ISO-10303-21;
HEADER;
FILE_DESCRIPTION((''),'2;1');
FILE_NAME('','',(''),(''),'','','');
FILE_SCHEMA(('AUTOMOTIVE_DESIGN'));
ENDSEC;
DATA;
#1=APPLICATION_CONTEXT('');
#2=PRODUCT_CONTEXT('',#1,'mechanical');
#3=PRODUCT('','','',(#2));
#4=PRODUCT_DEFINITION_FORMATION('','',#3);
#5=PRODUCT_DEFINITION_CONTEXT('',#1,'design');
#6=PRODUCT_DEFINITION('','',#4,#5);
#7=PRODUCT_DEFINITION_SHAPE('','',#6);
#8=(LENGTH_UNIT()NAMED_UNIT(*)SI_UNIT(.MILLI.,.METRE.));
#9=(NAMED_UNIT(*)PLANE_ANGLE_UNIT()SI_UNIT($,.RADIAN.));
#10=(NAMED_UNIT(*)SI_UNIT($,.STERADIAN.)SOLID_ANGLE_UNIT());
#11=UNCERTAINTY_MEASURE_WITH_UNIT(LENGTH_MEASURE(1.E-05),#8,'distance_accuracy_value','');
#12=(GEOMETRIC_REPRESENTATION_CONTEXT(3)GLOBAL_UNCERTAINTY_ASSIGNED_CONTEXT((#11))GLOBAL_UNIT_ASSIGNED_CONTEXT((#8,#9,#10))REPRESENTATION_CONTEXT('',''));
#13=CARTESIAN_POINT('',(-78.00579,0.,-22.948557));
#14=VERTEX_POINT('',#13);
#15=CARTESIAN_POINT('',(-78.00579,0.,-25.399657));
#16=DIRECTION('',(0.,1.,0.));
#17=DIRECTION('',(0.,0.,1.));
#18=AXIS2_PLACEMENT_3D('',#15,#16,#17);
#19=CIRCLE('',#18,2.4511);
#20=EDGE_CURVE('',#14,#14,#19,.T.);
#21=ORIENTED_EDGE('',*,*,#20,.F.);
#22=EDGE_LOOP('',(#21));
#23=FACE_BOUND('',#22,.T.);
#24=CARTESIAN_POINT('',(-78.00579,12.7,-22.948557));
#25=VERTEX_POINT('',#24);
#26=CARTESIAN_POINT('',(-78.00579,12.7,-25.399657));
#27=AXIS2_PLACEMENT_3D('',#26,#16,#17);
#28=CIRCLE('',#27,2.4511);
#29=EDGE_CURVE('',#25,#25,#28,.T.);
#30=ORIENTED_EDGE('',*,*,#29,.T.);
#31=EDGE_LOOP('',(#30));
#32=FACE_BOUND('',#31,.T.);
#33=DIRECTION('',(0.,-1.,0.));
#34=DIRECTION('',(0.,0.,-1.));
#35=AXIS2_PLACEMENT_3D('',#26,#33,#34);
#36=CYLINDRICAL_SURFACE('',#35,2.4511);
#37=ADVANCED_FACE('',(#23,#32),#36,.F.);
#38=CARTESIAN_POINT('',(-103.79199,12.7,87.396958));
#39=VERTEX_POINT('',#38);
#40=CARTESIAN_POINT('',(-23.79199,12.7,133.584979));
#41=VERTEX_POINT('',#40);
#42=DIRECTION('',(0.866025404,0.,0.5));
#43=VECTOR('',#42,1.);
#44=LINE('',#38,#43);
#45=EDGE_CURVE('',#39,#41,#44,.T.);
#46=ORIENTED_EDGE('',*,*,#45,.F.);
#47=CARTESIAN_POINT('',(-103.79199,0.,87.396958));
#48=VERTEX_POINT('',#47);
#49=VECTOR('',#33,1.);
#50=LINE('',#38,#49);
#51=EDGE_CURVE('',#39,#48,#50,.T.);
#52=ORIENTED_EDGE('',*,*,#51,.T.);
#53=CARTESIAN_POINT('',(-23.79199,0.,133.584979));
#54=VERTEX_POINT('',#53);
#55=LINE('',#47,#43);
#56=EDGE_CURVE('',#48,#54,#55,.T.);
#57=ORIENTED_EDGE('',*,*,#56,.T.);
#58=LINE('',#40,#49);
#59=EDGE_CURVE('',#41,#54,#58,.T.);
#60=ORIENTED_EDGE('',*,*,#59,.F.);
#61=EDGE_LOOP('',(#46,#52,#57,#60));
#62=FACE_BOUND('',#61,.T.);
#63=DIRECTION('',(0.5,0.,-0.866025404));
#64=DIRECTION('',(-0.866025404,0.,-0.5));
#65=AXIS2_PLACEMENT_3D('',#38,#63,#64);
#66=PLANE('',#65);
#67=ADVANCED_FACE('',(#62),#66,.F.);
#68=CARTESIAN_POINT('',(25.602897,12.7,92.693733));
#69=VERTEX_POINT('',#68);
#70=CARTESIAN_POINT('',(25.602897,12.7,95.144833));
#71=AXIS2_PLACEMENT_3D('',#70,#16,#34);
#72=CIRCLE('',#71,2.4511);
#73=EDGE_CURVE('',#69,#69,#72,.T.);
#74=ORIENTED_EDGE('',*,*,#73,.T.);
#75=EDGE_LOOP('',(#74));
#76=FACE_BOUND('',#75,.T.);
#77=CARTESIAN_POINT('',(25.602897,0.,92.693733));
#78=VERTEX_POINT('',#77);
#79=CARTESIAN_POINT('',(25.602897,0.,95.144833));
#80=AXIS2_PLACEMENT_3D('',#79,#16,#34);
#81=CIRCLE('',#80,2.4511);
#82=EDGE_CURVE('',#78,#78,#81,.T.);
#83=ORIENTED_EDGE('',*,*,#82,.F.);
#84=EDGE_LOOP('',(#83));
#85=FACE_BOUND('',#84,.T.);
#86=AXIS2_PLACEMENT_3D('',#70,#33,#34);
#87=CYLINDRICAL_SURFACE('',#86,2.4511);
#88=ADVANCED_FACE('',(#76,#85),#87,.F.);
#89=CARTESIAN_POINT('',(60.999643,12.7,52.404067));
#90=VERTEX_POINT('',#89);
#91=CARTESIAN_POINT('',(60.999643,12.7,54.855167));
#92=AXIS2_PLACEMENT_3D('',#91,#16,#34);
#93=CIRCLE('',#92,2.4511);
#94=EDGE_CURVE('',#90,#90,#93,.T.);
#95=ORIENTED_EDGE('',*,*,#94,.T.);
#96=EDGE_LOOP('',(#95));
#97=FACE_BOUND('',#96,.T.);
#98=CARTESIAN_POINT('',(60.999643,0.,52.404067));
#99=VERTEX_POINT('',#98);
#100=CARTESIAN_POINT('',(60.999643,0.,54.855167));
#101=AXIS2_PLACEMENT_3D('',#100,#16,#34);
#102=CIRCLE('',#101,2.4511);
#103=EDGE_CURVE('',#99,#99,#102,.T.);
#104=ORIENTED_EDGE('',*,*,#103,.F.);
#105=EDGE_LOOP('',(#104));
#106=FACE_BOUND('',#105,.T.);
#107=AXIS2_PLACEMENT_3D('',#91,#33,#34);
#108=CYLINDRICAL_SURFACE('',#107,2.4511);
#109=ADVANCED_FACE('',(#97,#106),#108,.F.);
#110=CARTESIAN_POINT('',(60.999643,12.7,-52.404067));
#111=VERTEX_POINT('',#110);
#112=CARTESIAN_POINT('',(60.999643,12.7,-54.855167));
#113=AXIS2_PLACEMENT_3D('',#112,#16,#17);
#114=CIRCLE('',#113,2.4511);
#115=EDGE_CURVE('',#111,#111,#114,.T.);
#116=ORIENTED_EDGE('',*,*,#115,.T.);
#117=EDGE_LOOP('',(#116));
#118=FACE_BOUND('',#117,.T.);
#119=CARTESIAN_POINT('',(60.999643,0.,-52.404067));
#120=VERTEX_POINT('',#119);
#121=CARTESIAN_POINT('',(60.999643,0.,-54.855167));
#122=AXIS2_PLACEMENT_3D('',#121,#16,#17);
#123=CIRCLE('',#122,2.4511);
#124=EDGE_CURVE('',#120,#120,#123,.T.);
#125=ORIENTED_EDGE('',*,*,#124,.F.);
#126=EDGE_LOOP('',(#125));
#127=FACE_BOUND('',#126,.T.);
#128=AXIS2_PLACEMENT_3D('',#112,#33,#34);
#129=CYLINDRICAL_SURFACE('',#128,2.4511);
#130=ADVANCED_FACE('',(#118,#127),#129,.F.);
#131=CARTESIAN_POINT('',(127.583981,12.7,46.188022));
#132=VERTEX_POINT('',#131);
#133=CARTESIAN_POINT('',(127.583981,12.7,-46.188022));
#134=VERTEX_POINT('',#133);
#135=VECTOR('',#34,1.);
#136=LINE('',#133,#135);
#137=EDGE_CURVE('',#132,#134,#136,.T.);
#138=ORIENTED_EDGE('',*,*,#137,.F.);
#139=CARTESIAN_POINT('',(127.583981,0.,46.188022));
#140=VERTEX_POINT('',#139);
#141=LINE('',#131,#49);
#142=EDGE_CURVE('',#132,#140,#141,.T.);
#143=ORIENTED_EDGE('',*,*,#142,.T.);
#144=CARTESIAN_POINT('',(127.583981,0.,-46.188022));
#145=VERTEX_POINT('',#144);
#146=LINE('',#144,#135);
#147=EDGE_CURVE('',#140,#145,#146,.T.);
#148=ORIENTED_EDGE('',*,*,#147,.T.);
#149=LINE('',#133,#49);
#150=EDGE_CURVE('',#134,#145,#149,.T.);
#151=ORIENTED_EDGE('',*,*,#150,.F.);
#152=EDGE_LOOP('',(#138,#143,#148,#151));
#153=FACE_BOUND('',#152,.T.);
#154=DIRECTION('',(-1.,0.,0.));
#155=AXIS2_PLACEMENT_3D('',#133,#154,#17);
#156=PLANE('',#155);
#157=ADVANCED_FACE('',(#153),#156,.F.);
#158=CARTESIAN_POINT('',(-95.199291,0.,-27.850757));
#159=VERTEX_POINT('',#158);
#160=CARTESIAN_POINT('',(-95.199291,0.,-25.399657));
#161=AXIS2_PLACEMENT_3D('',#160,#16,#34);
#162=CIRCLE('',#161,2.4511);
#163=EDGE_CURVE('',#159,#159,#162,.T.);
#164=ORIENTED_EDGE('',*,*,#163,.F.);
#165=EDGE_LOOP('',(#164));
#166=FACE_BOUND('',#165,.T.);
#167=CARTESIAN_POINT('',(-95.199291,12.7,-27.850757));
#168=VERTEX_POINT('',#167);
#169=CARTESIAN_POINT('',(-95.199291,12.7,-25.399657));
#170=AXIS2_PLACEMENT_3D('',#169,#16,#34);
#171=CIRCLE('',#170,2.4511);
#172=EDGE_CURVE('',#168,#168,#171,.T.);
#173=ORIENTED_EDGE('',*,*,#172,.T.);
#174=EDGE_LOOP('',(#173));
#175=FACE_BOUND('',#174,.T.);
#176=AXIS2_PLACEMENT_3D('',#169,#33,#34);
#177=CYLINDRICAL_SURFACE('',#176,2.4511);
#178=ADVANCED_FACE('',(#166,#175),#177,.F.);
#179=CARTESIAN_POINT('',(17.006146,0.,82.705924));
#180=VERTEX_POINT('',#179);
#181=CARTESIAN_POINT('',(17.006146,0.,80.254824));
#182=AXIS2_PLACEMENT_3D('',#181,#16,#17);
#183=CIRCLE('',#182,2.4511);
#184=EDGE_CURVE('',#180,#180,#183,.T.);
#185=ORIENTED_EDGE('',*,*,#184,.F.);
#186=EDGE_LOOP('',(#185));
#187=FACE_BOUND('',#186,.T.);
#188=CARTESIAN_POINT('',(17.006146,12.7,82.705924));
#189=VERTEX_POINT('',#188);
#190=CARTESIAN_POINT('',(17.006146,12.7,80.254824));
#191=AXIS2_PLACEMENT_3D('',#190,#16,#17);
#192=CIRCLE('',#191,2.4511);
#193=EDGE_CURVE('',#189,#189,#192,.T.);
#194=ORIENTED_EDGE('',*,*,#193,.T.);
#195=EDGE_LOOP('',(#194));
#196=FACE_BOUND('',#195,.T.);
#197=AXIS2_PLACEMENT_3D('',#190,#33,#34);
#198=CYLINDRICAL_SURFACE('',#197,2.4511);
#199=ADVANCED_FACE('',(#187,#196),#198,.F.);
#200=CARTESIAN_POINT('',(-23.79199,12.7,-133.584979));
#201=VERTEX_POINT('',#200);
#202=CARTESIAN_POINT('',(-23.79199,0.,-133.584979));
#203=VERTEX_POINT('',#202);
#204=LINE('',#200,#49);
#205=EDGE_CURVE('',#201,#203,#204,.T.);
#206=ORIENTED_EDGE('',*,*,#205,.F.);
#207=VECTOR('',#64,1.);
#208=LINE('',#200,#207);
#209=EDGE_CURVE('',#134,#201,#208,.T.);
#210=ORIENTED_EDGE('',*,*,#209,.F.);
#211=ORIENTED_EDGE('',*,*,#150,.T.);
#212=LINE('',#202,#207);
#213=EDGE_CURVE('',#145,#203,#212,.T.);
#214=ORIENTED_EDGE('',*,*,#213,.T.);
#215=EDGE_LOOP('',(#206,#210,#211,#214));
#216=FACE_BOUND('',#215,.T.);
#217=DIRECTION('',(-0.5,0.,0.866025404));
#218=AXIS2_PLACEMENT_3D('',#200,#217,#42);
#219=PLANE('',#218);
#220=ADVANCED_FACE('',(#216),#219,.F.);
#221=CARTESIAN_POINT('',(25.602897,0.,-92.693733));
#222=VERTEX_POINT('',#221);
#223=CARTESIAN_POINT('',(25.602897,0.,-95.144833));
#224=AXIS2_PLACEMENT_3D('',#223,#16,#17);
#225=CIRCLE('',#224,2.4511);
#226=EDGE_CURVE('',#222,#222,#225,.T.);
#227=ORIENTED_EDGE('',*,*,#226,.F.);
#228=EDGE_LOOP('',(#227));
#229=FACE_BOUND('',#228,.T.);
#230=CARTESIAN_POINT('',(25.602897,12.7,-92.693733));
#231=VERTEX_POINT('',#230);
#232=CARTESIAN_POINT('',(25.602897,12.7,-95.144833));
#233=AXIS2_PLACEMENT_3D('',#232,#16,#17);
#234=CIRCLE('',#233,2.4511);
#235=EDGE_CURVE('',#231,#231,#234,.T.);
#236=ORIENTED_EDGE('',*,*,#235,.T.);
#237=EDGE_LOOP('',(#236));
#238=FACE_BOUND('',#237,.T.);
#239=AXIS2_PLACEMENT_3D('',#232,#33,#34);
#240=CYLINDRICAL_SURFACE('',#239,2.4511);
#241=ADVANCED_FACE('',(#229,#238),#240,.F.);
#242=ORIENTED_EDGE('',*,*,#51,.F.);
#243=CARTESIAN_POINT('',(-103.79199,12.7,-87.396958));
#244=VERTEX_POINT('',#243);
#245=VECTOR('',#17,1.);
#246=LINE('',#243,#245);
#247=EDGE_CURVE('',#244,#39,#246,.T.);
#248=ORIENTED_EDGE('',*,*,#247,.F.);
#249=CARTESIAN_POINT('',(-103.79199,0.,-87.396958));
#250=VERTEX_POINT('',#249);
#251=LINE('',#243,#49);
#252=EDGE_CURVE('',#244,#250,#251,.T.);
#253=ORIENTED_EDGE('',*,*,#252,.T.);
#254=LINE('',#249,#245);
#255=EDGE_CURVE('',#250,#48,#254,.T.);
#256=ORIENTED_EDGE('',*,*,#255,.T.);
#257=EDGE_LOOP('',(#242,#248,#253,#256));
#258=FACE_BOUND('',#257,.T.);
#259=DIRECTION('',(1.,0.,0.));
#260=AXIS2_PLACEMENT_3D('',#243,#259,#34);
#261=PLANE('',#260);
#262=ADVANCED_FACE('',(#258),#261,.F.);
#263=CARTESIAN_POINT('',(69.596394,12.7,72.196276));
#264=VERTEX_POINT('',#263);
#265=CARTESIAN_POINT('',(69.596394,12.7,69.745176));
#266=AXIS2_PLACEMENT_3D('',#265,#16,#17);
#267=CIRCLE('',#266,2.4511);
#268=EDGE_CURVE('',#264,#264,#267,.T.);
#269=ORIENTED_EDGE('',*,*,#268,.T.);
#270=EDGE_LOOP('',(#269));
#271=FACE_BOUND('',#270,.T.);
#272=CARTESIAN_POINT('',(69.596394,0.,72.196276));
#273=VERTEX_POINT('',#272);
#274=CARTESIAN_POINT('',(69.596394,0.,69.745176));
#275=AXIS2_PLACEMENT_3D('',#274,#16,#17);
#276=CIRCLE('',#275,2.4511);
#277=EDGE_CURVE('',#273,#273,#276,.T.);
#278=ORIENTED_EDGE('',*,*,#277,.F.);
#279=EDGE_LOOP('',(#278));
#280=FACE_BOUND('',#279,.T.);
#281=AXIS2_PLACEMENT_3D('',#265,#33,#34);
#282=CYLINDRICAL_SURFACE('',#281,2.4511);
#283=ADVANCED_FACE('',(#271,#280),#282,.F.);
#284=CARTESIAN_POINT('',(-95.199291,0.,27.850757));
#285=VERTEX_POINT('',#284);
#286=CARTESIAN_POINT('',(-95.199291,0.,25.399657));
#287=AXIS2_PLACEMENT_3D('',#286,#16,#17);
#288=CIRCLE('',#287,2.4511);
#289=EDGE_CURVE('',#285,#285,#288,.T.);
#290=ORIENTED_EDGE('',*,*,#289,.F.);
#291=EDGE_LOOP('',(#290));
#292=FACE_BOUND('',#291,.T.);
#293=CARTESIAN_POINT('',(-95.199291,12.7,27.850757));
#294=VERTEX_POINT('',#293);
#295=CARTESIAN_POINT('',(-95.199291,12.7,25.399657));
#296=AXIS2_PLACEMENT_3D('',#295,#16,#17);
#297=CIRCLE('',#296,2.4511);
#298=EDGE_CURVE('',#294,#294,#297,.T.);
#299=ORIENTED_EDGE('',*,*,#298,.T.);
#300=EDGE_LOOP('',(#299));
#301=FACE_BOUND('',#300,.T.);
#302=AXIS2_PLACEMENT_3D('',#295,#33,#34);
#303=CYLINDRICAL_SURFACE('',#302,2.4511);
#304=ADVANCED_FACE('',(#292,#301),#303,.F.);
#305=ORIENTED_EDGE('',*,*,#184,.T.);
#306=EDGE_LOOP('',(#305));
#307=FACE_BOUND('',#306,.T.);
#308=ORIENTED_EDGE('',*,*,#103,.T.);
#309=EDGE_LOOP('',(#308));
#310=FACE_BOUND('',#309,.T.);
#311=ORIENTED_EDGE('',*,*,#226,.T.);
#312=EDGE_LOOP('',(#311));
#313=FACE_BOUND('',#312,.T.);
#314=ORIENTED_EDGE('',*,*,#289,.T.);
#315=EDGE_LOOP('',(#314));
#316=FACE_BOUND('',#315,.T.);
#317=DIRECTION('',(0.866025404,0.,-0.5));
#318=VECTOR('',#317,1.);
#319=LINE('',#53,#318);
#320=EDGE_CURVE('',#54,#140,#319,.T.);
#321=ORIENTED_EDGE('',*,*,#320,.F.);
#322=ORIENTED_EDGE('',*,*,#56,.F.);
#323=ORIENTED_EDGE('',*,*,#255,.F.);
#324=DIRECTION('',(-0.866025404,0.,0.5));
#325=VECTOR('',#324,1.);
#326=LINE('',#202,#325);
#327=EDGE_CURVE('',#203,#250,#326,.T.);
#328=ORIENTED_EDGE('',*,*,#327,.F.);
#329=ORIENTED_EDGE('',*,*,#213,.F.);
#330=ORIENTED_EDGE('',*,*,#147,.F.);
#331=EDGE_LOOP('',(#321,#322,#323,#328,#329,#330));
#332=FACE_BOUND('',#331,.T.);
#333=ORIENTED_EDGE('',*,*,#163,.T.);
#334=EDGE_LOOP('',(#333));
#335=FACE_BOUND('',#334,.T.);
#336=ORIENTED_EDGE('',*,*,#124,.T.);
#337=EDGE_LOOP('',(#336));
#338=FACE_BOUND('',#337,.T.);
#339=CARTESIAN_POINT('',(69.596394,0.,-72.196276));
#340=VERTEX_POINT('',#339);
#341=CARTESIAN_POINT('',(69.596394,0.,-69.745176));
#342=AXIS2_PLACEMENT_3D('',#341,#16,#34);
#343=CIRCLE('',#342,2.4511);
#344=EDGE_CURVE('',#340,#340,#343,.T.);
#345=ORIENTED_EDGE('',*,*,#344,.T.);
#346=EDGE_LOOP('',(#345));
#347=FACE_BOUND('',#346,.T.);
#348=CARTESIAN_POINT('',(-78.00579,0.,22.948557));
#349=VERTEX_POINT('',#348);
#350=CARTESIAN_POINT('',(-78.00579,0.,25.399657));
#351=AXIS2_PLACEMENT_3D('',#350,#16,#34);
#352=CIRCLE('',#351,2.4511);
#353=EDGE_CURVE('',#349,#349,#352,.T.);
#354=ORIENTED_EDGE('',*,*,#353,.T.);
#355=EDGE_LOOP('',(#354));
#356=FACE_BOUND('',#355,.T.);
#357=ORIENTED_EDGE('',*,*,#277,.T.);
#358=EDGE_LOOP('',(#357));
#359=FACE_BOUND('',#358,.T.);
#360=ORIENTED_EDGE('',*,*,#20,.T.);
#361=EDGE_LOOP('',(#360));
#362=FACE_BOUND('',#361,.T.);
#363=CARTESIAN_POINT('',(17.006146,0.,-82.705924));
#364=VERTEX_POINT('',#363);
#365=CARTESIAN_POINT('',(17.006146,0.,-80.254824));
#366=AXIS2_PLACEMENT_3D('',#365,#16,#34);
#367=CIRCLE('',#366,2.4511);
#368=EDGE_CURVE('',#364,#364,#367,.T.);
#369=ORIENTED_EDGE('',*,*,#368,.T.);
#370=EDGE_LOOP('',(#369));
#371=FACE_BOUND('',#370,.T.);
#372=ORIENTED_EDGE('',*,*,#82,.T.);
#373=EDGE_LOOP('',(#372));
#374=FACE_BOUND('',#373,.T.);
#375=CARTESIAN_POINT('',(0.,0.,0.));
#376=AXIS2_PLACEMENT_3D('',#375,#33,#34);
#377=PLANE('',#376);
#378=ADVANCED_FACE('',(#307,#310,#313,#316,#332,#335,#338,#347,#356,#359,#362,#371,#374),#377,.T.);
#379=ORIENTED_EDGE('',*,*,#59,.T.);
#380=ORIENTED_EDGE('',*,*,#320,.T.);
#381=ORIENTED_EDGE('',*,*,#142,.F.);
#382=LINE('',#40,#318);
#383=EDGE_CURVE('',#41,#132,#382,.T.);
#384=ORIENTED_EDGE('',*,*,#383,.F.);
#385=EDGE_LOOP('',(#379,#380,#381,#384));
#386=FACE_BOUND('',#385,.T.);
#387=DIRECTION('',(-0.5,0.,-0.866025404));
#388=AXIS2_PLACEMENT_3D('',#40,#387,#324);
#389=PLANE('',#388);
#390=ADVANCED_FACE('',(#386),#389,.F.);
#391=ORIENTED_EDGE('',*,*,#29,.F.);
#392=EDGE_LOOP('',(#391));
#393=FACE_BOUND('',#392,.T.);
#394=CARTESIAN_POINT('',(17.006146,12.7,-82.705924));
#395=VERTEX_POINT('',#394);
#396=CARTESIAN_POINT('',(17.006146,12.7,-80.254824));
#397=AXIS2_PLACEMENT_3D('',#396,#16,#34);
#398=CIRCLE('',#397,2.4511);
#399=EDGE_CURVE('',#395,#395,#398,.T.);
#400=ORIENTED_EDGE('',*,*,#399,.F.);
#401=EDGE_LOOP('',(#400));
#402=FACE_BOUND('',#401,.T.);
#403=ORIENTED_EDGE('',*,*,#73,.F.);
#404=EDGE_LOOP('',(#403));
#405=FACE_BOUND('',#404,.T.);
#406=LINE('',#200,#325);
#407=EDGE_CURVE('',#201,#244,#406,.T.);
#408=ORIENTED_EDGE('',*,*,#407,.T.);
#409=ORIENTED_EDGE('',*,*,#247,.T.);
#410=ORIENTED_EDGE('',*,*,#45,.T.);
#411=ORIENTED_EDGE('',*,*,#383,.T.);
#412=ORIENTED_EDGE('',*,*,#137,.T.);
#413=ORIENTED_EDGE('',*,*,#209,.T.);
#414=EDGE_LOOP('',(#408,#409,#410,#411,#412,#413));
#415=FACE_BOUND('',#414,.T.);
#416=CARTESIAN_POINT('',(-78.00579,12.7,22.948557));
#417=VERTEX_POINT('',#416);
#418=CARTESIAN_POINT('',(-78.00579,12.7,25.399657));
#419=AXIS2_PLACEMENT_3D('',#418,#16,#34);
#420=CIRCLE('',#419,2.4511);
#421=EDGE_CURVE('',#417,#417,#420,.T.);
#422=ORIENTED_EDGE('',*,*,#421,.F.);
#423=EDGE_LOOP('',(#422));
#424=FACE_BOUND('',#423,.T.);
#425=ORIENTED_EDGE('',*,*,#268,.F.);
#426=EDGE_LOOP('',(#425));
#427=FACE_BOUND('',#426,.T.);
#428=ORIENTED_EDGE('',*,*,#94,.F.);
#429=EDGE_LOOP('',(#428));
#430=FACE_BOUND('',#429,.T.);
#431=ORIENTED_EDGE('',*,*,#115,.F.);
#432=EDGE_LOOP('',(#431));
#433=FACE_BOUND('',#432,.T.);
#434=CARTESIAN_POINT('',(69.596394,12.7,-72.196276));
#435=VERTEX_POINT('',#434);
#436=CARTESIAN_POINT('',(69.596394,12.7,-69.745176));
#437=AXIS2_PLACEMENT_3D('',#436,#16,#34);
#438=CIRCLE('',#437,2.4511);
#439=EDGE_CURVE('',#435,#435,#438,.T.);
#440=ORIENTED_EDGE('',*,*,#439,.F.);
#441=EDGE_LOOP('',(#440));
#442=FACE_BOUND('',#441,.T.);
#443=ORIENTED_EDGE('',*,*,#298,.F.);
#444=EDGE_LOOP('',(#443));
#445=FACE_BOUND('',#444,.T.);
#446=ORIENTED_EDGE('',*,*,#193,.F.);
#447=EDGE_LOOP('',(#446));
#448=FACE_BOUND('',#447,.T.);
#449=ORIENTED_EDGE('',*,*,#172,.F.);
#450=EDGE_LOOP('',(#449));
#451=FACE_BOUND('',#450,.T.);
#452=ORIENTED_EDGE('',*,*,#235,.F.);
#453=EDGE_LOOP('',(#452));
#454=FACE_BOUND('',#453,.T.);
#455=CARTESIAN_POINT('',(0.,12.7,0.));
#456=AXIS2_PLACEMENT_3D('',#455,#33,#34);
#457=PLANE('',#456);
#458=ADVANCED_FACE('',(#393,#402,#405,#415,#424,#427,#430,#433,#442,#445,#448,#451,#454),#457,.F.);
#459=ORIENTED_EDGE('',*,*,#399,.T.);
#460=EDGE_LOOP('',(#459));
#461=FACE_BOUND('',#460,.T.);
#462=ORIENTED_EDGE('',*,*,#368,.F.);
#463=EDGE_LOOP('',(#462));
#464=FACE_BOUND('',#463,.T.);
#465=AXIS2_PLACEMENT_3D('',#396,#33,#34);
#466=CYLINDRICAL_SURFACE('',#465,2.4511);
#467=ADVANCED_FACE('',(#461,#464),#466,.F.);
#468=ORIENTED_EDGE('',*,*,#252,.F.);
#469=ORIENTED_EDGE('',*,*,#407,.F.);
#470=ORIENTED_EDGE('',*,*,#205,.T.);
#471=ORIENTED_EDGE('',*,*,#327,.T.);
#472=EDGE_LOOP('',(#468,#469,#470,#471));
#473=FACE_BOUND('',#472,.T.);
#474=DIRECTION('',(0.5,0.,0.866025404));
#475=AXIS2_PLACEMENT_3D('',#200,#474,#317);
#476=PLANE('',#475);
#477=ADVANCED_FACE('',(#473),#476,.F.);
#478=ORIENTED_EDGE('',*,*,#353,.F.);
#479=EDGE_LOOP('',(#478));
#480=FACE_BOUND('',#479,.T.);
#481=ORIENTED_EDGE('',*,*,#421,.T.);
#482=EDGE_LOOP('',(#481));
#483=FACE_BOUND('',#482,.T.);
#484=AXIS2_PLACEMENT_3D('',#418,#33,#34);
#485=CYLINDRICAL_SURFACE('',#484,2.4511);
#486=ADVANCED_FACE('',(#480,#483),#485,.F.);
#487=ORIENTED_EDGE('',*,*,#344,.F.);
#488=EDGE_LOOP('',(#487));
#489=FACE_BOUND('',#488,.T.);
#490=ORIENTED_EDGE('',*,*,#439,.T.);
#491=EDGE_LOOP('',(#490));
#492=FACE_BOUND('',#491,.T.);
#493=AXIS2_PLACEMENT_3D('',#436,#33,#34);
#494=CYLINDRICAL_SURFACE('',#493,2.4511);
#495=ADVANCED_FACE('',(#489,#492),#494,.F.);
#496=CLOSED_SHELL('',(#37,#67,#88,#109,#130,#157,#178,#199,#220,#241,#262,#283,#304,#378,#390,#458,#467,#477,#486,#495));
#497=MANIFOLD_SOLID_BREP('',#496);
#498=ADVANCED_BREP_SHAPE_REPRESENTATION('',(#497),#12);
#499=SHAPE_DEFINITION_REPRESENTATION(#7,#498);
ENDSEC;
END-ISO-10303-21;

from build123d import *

# Parameters (mm, degrees)
SKETCH2_R           = 2.4511
BOSS_EXTRUDE1_DEPTH = 12.7


with BuildPart() as part:
    # Sketch2 → Boss-Extrude1 (new body)
    with BuildSketch(Plane(origin=(0, 0, 0), x_dir=(1, 0, 0), z_dir=(0, 1, 0))):
        Polygon((127.583980757, 46.188021535), (127.583980757, -46.188021535), (-23.791990378, -133.584979219), (-103.791990378, -87.396957684), (-103.791990378, 87.396957684), (-23.791990378, 133.584979219), align=None)
        with Locations(Location((69.596393923, -69.745175923, 0), (0, 0, 270))):
            Circle(SKETCH2_R, mode=Mode.SUBTRACT)
        with Locations(Location((25.602897179, -95.144833111, 0), (0, 0, 90))):
            Circle(SKETCH2_R, mode=Mode.SUBTRACT)
        with Locations(Location((60.999643199, -54.855166889, 0), (0, 0, 90))):
            Circle(SKETCH2_R, mode=Mode.SUBTRACT)
        with Locations(Location((17.006146456, -80.254824077, 0), (0, 0, 270))):
            Circle(SKETCH2_R, mode=Mode.SUBTRACT)
        with Locations(Location((-78.005789655, -25.399657187, 0), (0, 0, 90))):
            Circle(SKETCH2_R, mode=Mode.SUBTRACT)
        with Locations(Location((-95.199291102, -25.399657187, 0), (0, 0, 270))):
            Circle(SKETCH2_R, mode=Mode.SUBTRACT)
        with Locations(Location((-95.199291102, 25.399657187, 0), (0, 0, 90))):
            Circle(SKETCH2_R, mode=Mode.SUBTRACT)
        with Locations(Location((-78.005789655, 25.399657187, 0), (0, 0, 270))):
            Circle(SKETCH2_R, mode=Mode.SUBTRACT)
        with Locations(Location((60.999643199, 54.855166889, 0), (0, 0, 270))):
            Circle(SKETCH2_R, mode=Mode.SUBTRACT)
        with Locations(Location((69.596393923, 69.745175923, 0), (0, 0, 90))):
            Circle(SKETCH2_R, mode=Mode.SUBTRACT)
        with Locations(Location((25.602897179, 95.144833111, 0), (0, 0, 270))):
            Circle(SKETCH2_R, mode=Mode.SUBTRACT)
        with Locations(Location((17.006146456, 80.254824077, 0), (0, 0, 90))):
            Circle(SKETCH2_R, mode=Mode.SUBTRACT)
    extrude(amount=BOSS_EXTRUDE1_DEPTH)


solid = part.part
